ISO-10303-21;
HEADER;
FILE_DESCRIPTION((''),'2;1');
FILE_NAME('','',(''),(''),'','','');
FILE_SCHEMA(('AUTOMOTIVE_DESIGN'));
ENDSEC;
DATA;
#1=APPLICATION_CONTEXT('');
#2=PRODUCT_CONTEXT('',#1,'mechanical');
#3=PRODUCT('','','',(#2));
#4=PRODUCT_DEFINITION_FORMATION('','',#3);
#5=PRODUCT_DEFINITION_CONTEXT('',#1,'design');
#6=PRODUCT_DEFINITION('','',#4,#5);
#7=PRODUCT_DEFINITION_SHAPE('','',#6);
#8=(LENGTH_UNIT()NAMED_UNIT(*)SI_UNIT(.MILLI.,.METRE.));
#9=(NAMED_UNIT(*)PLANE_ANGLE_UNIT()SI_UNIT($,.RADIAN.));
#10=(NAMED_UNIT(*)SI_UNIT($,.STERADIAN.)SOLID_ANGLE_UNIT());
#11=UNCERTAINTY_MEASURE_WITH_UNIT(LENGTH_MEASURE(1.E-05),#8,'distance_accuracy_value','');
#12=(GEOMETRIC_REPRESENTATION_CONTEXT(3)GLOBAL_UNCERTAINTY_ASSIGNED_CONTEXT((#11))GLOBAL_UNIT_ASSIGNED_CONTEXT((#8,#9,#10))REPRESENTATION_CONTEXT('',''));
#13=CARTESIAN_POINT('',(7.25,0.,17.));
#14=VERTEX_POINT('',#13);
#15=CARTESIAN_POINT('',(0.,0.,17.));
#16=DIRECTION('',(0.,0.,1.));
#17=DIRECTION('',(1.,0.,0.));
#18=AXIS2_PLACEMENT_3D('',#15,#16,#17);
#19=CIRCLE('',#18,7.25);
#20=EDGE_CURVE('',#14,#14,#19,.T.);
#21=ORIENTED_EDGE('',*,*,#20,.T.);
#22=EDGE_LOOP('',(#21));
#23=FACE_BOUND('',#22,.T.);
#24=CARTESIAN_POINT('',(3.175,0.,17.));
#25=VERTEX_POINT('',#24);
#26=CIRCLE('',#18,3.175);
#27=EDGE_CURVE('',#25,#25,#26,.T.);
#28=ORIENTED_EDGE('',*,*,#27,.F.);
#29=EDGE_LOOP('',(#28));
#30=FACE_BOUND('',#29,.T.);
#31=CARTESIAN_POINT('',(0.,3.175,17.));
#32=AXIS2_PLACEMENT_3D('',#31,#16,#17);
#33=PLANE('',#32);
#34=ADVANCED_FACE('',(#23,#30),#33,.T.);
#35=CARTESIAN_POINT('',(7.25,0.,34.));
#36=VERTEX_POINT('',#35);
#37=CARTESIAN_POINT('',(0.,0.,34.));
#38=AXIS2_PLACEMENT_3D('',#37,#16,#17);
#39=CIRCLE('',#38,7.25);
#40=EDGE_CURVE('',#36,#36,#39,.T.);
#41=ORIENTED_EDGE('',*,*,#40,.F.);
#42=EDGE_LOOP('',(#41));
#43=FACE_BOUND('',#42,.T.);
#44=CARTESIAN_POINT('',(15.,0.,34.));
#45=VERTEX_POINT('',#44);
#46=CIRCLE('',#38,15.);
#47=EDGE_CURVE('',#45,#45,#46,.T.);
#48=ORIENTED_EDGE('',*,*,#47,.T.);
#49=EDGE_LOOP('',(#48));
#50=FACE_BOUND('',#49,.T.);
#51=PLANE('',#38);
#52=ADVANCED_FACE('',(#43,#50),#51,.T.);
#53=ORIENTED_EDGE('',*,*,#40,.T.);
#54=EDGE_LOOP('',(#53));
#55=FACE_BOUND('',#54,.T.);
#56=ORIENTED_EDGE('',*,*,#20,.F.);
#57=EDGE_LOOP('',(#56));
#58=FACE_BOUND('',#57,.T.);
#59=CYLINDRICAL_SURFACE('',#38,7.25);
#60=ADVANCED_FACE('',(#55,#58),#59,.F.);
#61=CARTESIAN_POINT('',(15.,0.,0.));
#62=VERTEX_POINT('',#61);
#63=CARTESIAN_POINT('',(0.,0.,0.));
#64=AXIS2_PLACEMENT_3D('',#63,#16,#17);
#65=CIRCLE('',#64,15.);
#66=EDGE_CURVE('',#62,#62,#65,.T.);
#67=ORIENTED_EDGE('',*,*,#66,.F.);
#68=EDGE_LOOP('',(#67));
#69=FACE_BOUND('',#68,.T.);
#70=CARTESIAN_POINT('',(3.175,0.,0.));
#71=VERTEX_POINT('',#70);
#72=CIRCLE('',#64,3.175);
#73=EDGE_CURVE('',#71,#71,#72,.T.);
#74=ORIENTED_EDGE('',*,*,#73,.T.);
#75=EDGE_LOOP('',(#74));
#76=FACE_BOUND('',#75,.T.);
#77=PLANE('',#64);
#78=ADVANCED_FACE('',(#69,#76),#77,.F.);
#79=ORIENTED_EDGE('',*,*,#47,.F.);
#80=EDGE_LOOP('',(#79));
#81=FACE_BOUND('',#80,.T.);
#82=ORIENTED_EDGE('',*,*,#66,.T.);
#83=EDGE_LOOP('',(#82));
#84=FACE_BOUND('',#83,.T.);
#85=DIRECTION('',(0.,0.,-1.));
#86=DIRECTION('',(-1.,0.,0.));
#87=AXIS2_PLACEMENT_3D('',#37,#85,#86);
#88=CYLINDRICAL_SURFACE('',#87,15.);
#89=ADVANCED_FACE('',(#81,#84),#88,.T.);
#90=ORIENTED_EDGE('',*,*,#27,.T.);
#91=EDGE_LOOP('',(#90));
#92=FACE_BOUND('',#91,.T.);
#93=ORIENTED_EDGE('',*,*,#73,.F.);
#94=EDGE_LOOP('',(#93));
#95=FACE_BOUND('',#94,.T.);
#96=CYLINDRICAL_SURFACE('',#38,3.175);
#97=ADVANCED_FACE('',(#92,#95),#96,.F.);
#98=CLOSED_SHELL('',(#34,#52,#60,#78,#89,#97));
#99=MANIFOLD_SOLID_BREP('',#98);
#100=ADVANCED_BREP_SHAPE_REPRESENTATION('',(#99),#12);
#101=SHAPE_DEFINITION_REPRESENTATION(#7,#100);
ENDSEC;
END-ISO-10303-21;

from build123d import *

# Parameters (mm, degrees)
SKETCH1_R           = 15
BOSS_EXTRUDE1_DEPTH = 34


with BuildPart() as part:
    # Sketch1 → Boss-Extrude1 (new body)
    with BuildSketch(Plane.XY):
        Circle(SKETCH1_R)
    extrude(amount=BOSS_EXTRUDE1_DEPTH)

    # Sketch2 → Cut-Revolve1 (revolve, cut)
    with BuildSketch(Plane(origin=(0, 0, 0), x_dir=(0, 0, -1), z_dir=(1, 0, 0)), mode=Mode.PRIVATE) as cut_revolve1_sk:
        Polygon((0, 0), (0, 3.175), (-17, 3.175), (-17, 7.25), (-34, 7.25), (-34, 0), align=None)
    revolve(cut_revolve1_sk.sketch.rotate(Axis((0, 0, 34), (0, 0, -1)), 90), axis=Axis((0, 0, 34), (0, 0, -1)), mode=Mode.SUBTRACT)


solid = part.part
